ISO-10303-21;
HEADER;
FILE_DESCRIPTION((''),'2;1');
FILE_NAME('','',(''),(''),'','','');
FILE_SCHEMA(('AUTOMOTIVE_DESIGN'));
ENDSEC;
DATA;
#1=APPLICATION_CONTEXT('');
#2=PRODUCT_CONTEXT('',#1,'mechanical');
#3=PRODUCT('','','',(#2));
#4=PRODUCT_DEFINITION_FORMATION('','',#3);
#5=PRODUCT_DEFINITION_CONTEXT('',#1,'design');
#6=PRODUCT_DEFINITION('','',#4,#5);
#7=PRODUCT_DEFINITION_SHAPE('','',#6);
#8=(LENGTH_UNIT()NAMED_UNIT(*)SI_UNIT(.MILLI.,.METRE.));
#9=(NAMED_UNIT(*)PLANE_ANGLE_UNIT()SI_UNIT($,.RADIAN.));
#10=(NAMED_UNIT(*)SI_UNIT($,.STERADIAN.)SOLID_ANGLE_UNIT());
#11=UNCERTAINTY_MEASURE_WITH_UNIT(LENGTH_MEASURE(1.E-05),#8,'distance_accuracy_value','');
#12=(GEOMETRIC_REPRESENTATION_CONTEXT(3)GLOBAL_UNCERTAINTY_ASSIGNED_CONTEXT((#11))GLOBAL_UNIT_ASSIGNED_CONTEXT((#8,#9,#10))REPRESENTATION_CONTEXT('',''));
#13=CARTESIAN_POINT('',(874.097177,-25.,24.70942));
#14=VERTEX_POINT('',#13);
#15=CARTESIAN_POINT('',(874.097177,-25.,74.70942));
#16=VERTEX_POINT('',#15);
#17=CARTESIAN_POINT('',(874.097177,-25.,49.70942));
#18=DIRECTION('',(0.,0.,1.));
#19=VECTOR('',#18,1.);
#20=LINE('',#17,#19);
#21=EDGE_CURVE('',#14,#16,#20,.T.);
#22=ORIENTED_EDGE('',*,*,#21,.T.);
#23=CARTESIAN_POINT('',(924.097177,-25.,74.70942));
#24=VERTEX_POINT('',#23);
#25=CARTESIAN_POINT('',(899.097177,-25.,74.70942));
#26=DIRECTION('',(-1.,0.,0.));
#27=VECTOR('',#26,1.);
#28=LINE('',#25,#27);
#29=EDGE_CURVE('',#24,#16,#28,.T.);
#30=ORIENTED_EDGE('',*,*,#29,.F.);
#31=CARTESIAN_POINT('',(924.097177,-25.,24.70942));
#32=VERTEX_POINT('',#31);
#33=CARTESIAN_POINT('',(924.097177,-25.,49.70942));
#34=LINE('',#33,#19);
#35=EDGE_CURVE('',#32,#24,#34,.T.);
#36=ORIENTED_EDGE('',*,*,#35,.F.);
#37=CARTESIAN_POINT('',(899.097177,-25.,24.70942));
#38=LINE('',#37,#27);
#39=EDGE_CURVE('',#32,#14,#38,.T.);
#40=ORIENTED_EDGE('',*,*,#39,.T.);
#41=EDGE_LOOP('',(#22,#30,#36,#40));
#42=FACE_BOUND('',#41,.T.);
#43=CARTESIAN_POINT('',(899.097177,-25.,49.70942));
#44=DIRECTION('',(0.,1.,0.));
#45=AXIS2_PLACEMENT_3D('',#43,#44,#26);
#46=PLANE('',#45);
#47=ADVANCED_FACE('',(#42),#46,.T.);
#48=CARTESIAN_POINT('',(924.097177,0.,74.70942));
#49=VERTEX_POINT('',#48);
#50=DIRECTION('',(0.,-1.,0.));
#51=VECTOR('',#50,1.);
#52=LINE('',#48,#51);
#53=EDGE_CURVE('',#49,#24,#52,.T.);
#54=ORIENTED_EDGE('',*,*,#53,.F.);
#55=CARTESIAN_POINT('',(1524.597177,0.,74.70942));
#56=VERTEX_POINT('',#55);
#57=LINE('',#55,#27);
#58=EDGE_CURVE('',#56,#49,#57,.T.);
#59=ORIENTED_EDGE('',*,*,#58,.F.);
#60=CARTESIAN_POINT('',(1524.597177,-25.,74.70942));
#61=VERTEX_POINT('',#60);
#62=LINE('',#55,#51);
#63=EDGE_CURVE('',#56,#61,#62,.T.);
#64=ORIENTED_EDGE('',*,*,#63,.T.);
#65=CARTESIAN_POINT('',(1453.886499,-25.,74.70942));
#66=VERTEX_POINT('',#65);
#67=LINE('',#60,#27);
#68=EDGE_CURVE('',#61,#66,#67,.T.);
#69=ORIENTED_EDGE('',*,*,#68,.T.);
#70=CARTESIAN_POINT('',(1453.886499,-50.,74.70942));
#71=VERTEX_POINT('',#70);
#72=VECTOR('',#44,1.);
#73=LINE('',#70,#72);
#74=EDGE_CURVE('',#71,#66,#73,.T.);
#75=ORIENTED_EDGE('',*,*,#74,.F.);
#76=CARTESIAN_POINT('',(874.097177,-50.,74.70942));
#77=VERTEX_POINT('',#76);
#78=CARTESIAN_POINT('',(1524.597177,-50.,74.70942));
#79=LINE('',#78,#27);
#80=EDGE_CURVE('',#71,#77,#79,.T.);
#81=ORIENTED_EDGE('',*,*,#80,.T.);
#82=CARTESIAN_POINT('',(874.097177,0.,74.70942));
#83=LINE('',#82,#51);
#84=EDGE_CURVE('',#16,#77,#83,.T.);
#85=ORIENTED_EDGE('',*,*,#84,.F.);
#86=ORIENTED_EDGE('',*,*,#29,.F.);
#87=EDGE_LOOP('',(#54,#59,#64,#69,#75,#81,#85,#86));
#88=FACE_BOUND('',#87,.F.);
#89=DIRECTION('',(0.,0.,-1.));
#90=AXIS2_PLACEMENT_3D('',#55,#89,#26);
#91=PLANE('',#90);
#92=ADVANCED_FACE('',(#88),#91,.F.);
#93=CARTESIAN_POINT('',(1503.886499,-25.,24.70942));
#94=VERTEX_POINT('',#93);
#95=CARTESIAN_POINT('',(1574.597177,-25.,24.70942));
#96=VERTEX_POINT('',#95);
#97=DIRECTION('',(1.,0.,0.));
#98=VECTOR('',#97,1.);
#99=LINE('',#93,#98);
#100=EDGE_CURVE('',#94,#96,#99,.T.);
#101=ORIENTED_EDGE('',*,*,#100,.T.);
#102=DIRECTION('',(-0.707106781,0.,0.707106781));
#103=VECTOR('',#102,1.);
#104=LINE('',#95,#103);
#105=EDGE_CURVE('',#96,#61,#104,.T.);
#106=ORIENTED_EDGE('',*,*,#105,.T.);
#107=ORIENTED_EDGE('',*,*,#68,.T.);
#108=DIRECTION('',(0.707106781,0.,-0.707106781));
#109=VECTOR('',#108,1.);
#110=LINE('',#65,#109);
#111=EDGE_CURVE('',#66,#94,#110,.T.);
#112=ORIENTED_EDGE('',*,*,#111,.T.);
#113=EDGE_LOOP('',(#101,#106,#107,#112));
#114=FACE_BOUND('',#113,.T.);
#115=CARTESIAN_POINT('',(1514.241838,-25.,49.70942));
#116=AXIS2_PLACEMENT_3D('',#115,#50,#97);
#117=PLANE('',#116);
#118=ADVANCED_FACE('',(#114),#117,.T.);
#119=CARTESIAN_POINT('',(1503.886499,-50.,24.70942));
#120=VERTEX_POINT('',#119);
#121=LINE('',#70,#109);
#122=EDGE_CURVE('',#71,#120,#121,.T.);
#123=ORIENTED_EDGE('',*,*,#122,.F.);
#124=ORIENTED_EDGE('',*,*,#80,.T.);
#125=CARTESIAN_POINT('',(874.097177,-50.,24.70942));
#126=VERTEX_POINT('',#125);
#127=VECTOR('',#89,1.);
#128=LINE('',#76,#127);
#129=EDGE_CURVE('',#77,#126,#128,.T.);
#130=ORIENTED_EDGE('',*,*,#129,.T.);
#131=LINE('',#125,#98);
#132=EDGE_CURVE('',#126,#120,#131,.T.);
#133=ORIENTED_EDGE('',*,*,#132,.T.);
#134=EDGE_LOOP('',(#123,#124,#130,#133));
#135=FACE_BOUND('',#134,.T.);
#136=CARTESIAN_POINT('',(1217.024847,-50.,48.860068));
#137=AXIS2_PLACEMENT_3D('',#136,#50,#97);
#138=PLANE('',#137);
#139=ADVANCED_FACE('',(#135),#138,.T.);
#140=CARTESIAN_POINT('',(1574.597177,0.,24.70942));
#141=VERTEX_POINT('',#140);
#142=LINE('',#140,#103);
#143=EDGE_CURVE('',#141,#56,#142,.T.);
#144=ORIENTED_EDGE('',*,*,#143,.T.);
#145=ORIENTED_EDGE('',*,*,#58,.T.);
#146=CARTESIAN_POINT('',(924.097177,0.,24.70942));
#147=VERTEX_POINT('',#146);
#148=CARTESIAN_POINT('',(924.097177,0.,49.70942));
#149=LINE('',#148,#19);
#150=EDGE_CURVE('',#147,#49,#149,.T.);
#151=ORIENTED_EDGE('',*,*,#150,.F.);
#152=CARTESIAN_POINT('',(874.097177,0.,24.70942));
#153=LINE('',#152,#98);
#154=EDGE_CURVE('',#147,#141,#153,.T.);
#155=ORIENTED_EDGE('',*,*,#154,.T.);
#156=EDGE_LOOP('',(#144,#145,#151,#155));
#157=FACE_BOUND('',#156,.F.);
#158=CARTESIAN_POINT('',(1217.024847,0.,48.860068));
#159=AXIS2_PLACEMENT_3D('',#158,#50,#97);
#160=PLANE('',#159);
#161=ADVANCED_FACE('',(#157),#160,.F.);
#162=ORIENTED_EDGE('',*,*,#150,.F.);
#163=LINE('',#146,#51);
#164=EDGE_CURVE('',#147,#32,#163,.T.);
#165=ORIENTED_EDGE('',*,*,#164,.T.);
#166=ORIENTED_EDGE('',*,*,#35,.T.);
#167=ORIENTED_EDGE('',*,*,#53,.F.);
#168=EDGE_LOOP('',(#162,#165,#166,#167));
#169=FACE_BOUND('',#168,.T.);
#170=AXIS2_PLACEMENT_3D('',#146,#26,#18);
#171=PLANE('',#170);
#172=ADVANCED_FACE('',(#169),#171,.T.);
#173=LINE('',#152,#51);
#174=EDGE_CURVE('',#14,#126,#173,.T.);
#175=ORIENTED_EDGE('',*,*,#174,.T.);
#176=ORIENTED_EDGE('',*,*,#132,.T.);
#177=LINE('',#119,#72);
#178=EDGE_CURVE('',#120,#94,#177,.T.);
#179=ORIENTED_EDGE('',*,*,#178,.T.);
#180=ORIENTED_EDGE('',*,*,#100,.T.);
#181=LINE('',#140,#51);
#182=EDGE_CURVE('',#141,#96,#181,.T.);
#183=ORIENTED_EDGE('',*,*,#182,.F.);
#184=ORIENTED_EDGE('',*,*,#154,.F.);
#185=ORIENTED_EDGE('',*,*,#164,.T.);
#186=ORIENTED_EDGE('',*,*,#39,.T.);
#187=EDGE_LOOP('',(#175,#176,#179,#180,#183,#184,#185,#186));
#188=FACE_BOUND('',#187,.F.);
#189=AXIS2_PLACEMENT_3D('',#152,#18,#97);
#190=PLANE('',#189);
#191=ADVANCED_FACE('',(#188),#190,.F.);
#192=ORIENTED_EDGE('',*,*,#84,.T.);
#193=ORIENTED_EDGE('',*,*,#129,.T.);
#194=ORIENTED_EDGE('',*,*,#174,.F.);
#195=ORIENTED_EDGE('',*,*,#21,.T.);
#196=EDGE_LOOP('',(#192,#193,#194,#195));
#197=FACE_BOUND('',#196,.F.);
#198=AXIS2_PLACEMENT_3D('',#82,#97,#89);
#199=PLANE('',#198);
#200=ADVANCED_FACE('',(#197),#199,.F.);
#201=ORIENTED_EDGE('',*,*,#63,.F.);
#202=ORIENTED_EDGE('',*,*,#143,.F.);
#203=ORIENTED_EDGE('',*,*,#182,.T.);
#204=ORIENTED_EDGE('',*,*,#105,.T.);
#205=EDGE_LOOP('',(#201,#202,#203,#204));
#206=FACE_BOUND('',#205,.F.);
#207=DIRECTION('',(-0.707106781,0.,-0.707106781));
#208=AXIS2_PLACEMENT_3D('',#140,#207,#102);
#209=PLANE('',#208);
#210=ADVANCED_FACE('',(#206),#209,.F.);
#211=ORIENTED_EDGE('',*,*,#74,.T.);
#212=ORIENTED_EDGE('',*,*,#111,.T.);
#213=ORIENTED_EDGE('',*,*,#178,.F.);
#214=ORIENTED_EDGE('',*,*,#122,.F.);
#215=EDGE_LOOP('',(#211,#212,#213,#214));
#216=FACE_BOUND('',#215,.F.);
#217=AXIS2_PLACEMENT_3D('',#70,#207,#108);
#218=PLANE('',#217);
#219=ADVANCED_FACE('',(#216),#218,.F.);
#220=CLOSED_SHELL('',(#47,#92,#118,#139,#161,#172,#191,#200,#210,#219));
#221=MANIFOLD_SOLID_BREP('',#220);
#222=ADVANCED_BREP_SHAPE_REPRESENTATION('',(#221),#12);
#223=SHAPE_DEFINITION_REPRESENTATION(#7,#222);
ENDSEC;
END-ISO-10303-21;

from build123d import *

# Parameters (mm, degrees)
F1_DEPTH = 50
F3_DEPTH = 25
F4_W     = 50
F4_H     = 50
F5_DEPTH = 25


with BuildPart() as f1:
    # F0 (on Front) → F1 (new body)
    with BuildSketch(Plane.XZ):
        Polygon((874.097177, 74.70942), (874.097177, 24.70942), (1574.597177, 24.70942), (1524.597177, 74.70942), align=None)
    extrude(amount=F1_DEPTH)

    # F2 (on face) → F3 (cut)
    with BuildSketch(Plane.XZ.offset(50)):
        Polygon((1503.886499, 24.70942), (1574.597177, 24.70942), (1524.597177, 74.70942), (1453.886499, 74.70942), align=None)
    extrude(amount=-F3_DEPTH, mode=Mode.SUBTRACT)

    # F4 (on face) → F5 (cut)
    with BuildSketch(Plane(origin=(0, 0, 0), x_dir=(-1, 0, 0), z_dir=(0, 1, 0))):
        with Locations((-899.097177, 49.70942)):
            Rectangle(F4_W, F4_H)
    extrude(amount=-F5_DEPTH, mode=Mode.SUBTRACT)


solid = f1.part
